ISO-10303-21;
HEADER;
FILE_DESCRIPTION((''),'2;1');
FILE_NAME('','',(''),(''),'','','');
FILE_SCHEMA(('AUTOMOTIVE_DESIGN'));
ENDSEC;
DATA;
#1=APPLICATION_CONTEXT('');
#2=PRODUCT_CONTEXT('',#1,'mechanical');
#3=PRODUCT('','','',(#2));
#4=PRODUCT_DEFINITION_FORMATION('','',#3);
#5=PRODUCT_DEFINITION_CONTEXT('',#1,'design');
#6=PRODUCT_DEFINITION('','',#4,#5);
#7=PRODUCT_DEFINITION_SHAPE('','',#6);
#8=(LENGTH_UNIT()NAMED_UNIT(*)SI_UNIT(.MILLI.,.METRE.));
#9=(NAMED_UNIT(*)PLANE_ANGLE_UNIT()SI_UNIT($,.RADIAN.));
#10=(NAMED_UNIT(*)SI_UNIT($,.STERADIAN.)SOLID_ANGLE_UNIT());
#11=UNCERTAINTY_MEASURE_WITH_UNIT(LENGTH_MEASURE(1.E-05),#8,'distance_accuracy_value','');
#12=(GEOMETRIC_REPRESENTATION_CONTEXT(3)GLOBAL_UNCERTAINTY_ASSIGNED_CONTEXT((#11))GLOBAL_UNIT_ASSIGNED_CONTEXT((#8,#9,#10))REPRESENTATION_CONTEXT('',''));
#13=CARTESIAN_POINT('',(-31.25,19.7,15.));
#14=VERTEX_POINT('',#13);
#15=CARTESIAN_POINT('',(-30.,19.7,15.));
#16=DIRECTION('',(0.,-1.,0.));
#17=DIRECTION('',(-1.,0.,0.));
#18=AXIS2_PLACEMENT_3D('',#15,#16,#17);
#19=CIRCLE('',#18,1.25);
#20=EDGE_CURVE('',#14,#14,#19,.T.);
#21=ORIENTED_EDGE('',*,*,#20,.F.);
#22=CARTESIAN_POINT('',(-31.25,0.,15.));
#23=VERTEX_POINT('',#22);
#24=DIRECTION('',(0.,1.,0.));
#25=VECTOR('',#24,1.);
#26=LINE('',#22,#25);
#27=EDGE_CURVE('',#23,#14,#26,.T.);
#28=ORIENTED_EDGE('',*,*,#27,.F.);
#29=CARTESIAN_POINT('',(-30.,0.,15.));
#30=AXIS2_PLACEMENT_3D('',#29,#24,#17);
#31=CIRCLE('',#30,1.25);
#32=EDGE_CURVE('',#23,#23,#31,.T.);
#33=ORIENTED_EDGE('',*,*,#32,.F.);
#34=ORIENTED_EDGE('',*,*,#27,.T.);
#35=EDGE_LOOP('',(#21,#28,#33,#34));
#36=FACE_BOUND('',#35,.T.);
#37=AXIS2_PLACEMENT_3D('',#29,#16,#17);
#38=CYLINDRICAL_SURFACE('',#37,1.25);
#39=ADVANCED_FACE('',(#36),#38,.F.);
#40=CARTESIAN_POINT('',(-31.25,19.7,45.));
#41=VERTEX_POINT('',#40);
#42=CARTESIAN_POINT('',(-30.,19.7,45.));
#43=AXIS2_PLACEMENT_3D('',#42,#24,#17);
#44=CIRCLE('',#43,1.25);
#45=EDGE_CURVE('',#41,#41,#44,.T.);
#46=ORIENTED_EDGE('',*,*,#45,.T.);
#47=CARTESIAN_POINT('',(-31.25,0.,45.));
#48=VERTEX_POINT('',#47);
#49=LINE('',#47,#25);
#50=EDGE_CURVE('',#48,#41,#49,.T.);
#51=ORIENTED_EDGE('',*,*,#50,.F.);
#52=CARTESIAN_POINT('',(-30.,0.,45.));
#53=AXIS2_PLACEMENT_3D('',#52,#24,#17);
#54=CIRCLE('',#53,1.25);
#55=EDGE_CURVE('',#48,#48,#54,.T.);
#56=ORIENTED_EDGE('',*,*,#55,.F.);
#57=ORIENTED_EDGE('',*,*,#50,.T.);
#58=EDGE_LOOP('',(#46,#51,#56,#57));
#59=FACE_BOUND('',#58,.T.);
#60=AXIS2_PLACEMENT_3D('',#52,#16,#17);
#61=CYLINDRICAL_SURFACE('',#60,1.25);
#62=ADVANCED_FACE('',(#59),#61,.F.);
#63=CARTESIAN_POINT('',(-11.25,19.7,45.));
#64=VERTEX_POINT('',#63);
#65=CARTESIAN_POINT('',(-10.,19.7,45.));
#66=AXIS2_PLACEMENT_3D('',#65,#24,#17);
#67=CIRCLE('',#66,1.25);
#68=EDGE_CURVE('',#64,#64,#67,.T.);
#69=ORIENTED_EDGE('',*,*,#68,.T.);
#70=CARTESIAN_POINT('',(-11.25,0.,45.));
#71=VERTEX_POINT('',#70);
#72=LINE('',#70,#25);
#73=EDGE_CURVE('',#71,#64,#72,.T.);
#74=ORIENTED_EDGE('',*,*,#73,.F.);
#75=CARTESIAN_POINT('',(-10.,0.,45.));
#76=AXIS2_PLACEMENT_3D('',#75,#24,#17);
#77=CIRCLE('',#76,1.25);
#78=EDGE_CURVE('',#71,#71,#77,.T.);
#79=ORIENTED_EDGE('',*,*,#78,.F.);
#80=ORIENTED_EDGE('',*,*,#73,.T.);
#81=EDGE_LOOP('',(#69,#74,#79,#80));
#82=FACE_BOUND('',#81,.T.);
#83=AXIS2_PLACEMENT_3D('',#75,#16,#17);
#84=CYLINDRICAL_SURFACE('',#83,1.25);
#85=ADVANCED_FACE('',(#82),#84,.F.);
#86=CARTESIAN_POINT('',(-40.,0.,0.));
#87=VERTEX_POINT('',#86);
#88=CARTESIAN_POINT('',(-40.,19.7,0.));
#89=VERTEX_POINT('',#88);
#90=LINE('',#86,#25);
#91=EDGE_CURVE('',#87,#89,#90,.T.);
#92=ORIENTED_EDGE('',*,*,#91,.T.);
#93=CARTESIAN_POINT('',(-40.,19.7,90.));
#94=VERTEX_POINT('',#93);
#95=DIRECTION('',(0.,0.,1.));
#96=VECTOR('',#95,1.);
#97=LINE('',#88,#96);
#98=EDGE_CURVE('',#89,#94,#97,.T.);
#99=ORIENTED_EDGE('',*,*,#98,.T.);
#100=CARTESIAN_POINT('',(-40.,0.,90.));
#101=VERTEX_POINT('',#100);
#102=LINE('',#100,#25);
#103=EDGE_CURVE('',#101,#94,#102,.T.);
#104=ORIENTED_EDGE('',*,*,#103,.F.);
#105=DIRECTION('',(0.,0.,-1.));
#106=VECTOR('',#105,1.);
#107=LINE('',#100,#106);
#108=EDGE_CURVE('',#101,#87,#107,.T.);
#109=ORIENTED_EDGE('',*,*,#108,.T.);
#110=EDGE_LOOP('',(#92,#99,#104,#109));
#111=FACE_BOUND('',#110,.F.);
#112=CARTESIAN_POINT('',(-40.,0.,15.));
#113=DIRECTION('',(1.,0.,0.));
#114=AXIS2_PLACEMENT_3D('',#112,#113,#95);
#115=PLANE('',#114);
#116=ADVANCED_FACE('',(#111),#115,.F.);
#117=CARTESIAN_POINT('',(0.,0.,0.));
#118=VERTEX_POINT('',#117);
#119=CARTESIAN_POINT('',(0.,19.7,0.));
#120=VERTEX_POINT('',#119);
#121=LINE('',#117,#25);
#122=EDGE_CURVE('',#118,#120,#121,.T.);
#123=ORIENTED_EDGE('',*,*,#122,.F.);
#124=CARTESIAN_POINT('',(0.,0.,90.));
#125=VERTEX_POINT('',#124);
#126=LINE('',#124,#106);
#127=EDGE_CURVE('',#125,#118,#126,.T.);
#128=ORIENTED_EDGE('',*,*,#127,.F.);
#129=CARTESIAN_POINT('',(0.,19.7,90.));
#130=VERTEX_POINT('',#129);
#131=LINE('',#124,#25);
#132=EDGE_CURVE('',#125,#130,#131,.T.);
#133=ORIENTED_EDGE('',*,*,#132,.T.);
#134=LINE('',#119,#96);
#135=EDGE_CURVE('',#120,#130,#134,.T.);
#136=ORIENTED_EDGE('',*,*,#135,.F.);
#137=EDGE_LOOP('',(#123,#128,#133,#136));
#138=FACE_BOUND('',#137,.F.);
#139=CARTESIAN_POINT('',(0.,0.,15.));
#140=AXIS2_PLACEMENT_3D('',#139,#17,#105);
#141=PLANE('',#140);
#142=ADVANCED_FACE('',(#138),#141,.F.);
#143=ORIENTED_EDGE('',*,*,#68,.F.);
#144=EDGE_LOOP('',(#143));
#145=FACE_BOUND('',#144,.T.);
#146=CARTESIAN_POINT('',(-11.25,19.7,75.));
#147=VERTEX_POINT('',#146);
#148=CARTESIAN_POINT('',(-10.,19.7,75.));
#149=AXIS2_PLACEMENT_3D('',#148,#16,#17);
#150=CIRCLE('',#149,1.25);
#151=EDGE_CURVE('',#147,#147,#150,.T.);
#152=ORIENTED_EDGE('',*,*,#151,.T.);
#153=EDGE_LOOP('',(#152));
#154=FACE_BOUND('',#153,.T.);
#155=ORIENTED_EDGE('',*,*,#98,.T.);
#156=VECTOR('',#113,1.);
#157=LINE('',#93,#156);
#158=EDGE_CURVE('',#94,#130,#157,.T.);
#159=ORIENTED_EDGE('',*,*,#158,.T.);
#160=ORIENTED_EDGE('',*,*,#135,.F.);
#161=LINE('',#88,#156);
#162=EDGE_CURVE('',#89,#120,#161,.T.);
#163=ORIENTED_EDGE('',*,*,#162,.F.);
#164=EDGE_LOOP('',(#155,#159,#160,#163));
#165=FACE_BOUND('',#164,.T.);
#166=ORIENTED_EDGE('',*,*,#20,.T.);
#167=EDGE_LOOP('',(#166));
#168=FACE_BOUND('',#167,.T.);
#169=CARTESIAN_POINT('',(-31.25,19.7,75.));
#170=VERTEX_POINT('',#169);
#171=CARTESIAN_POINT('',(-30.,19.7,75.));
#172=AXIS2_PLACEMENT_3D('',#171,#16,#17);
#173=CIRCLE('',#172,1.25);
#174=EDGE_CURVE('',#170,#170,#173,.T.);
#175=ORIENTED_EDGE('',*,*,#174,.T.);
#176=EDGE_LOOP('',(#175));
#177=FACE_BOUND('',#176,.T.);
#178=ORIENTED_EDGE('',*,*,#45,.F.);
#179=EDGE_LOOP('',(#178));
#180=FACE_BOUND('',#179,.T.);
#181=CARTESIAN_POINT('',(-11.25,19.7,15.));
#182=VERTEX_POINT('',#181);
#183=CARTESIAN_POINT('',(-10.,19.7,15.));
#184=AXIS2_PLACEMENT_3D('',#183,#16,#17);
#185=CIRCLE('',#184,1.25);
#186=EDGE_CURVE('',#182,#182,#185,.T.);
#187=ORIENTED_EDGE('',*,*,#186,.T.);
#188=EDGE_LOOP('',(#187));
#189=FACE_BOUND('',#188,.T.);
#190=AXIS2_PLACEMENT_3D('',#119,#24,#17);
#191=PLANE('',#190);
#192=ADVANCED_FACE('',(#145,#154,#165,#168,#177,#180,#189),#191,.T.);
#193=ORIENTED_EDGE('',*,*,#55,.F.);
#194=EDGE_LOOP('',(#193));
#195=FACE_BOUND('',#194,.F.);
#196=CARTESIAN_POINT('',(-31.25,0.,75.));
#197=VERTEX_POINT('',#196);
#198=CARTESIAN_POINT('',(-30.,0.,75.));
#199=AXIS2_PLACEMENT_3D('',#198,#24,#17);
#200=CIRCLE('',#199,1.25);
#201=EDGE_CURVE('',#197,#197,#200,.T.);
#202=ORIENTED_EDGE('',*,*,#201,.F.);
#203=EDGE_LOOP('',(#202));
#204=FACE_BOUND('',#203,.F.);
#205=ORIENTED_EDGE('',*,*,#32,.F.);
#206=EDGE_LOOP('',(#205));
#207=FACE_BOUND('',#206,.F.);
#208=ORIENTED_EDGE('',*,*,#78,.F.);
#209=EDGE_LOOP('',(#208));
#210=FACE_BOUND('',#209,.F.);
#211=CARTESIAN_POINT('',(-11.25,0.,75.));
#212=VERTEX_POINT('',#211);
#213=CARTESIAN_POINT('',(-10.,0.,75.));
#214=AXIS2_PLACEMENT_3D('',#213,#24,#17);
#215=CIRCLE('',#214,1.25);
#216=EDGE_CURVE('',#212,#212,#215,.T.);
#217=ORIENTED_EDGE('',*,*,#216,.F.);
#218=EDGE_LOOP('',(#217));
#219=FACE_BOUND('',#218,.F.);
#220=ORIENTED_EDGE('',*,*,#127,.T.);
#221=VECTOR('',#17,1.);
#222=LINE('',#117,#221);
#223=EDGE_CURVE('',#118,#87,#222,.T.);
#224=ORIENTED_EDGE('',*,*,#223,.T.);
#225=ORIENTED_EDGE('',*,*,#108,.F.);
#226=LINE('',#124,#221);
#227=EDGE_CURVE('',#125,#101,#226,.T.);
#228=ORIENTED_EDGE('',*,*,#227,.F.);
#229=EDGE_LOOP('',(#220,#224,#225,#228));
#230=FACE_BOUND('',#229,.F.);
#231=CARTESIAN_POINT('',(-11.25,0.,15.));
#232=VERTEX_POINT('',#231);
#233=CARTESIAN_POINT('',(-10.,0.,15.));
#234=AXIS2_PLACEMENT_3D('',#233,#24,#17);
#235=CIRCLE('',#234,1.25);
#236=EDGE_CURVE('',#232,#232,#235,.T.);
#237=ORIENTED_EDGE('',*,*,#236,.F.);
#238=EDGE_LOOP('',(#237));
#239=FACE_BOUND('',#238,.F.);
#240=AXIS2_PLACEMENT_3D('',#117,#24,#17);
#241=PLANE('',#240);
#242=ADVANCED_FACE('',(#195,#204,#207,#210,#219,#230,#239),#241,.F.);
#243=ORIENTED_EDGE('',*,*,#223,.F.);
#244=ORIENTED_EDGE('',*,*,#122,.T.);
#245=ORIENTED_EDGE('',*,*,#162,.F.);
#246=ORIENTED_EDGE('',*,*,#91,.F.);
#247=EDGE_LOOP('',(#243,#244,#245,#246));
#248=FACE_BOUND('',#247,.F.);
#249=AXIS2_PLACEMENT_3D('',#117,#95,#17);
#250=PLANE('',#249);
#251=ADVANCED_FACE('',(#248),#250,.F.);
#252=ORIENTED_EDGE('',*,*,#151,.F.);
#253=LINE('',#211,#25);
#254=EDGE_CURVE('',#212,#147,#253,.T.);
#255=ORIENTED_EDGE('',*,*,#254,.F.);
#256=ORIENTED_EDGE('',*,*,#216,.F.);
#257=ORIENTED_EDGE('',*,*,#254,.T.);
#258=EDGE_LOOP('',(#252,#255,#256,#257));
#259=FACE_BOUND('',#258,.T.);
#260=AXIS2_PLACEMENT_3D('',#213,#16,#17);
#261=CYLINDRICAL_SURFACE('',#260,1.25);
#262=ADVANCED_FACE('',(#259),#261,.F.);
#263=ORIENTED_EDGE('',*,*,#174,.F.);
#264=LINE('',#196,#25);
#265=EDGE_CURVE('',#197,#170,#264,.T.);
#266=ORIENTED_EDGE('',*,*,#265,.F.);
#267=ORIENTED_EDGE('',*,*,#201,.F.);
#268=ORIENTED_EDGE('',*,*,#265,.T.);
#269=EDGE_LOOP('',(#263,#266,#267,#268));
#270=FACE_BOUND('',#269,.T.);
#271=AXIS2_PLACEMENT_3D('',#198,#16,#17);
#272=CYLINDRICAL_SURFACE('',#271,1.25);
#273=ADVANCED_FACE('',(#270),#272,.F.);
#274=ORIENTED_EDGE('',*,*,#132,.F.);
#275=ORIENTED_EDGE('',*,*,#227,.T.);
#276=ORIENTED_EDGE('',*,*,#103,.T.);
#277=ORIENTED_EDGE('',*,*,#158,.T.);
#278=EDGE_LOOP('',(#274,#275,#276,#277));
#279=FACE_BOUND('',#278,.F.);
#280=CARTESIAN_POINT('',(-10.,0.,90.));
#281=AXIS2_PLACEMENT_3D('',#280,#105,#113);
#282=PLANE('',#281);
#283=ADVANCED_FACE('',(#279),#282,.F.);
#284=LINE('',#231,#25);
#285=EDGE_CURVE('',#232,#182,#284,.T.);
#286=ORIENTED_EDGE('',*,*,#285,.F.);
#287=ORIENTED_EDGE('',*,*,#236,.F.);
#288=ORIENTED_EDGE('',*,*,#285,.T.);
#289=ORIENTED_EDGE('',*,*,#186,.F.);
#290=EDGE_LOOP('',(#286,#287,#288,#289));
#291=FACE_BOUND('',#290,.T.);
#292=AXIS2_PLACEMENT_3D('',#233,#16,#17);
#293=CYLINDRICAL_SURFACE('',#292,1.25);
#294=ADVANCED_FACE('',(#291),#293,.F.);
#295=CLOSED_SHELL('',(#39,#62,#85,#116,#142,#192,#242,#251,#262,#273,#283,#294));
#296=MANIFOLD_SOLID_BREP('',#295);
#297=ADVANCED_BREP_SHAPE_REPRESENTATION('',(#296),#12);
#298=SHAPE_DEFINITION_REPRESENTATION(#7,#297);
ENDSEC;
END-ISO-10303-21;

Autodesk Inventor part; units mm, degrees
ref_plane "YZ Plane" through (0, 0, 0) normal (1, 0, 0) x (0, 1, 0)
ref_plane "XZ Plane" through (0, 0, 0) normal (0, 1, 0) x (-1, 0, 0)
ref_plane "XY Plane" through (0, 0, 0) normal (0, 0, 1) x (1, 0, 0)
sketch "スケッチ1" plane through (0, 0, 0) normal (0, 1, 0) x (-1, 0, 0)
  line L0 (0, 0) -> (40, 0)
  line L1 (40, 0) -> (40, 90)
  line L2 (40, 90) -> (0, 90)
  line L3 (0, 90) -> (0, 0)
  line L4 (0, 90) -> (10, 90)
  line L5 (10, 90) -> (10, 76.25)
  line L6 (10, 75) -> (0, 75)
  line L7 (0, 75) -> (0, 90)
  line L8 (40, 90) -> (30, 90)
  line L9 (30, 90) -> (30, 76.25)
  line L10 (30, 75) -> (40, 75)
  line L11 (40, 75) -> (40, 90)
  line L12 (0, 0) -> (10, 0)
  line L13 (10, 0) -> (10, 13.75)
  line L14 (10, 15) -> (0, 15)
  line L15 (0, 15) -> (0, 0)
  line L16 (40, 0) -> (30, 0)
  line L17 (30, 0) -> (30, 13.75)
  line L18 (30, 15) -> (40, 15)
  line L19 (40, 15) -> (40, 0)
  circle A0 centre (10, 75) radius 1.25
  circle A1 centre (30, 75) radius 1.25
  circle A2 centre (10, 45) radius 1.25
  circle A3 centre (30, 45) radius 1.25
  circle A4 centre (10, 15) radius 1.25
  circle A5 centre (30, 15) radius 1.25
  dimension "d10" = 2.5
  dimension "d11" = 2.5
  dimension "d14" = 2.5
  dimension "d15" = 2.5
  dimension "d0" = 40
  dimension "d1" = 90
  dimension "d2" = 10
  dimension "d3" = 15
  dimension "d4" = 10
  dimension "d5" = 15
  dimension "d6" = 10
  dimension "d7" = 15
  dimension "d8" = 10
  dimension "d9" = 15
  dimension "d12" = 2.5
  dimension "d13" = 2.5
extrude "押し出し1" add sketch "スケッチ1" along normal blind 19.7 contours L3 L14 A4 L13 L0 | L13 A4 L14 L3 L6 A0 L5 L2 L9 A1 L10 L1 L18 A5 L17 L0 | L17 A5 L18 L1 L0 | L3 L2 L5 A0 L6 | L10 A1 L9 L2 L1
properties part number "知能ロボコンスペーサ1.1"
